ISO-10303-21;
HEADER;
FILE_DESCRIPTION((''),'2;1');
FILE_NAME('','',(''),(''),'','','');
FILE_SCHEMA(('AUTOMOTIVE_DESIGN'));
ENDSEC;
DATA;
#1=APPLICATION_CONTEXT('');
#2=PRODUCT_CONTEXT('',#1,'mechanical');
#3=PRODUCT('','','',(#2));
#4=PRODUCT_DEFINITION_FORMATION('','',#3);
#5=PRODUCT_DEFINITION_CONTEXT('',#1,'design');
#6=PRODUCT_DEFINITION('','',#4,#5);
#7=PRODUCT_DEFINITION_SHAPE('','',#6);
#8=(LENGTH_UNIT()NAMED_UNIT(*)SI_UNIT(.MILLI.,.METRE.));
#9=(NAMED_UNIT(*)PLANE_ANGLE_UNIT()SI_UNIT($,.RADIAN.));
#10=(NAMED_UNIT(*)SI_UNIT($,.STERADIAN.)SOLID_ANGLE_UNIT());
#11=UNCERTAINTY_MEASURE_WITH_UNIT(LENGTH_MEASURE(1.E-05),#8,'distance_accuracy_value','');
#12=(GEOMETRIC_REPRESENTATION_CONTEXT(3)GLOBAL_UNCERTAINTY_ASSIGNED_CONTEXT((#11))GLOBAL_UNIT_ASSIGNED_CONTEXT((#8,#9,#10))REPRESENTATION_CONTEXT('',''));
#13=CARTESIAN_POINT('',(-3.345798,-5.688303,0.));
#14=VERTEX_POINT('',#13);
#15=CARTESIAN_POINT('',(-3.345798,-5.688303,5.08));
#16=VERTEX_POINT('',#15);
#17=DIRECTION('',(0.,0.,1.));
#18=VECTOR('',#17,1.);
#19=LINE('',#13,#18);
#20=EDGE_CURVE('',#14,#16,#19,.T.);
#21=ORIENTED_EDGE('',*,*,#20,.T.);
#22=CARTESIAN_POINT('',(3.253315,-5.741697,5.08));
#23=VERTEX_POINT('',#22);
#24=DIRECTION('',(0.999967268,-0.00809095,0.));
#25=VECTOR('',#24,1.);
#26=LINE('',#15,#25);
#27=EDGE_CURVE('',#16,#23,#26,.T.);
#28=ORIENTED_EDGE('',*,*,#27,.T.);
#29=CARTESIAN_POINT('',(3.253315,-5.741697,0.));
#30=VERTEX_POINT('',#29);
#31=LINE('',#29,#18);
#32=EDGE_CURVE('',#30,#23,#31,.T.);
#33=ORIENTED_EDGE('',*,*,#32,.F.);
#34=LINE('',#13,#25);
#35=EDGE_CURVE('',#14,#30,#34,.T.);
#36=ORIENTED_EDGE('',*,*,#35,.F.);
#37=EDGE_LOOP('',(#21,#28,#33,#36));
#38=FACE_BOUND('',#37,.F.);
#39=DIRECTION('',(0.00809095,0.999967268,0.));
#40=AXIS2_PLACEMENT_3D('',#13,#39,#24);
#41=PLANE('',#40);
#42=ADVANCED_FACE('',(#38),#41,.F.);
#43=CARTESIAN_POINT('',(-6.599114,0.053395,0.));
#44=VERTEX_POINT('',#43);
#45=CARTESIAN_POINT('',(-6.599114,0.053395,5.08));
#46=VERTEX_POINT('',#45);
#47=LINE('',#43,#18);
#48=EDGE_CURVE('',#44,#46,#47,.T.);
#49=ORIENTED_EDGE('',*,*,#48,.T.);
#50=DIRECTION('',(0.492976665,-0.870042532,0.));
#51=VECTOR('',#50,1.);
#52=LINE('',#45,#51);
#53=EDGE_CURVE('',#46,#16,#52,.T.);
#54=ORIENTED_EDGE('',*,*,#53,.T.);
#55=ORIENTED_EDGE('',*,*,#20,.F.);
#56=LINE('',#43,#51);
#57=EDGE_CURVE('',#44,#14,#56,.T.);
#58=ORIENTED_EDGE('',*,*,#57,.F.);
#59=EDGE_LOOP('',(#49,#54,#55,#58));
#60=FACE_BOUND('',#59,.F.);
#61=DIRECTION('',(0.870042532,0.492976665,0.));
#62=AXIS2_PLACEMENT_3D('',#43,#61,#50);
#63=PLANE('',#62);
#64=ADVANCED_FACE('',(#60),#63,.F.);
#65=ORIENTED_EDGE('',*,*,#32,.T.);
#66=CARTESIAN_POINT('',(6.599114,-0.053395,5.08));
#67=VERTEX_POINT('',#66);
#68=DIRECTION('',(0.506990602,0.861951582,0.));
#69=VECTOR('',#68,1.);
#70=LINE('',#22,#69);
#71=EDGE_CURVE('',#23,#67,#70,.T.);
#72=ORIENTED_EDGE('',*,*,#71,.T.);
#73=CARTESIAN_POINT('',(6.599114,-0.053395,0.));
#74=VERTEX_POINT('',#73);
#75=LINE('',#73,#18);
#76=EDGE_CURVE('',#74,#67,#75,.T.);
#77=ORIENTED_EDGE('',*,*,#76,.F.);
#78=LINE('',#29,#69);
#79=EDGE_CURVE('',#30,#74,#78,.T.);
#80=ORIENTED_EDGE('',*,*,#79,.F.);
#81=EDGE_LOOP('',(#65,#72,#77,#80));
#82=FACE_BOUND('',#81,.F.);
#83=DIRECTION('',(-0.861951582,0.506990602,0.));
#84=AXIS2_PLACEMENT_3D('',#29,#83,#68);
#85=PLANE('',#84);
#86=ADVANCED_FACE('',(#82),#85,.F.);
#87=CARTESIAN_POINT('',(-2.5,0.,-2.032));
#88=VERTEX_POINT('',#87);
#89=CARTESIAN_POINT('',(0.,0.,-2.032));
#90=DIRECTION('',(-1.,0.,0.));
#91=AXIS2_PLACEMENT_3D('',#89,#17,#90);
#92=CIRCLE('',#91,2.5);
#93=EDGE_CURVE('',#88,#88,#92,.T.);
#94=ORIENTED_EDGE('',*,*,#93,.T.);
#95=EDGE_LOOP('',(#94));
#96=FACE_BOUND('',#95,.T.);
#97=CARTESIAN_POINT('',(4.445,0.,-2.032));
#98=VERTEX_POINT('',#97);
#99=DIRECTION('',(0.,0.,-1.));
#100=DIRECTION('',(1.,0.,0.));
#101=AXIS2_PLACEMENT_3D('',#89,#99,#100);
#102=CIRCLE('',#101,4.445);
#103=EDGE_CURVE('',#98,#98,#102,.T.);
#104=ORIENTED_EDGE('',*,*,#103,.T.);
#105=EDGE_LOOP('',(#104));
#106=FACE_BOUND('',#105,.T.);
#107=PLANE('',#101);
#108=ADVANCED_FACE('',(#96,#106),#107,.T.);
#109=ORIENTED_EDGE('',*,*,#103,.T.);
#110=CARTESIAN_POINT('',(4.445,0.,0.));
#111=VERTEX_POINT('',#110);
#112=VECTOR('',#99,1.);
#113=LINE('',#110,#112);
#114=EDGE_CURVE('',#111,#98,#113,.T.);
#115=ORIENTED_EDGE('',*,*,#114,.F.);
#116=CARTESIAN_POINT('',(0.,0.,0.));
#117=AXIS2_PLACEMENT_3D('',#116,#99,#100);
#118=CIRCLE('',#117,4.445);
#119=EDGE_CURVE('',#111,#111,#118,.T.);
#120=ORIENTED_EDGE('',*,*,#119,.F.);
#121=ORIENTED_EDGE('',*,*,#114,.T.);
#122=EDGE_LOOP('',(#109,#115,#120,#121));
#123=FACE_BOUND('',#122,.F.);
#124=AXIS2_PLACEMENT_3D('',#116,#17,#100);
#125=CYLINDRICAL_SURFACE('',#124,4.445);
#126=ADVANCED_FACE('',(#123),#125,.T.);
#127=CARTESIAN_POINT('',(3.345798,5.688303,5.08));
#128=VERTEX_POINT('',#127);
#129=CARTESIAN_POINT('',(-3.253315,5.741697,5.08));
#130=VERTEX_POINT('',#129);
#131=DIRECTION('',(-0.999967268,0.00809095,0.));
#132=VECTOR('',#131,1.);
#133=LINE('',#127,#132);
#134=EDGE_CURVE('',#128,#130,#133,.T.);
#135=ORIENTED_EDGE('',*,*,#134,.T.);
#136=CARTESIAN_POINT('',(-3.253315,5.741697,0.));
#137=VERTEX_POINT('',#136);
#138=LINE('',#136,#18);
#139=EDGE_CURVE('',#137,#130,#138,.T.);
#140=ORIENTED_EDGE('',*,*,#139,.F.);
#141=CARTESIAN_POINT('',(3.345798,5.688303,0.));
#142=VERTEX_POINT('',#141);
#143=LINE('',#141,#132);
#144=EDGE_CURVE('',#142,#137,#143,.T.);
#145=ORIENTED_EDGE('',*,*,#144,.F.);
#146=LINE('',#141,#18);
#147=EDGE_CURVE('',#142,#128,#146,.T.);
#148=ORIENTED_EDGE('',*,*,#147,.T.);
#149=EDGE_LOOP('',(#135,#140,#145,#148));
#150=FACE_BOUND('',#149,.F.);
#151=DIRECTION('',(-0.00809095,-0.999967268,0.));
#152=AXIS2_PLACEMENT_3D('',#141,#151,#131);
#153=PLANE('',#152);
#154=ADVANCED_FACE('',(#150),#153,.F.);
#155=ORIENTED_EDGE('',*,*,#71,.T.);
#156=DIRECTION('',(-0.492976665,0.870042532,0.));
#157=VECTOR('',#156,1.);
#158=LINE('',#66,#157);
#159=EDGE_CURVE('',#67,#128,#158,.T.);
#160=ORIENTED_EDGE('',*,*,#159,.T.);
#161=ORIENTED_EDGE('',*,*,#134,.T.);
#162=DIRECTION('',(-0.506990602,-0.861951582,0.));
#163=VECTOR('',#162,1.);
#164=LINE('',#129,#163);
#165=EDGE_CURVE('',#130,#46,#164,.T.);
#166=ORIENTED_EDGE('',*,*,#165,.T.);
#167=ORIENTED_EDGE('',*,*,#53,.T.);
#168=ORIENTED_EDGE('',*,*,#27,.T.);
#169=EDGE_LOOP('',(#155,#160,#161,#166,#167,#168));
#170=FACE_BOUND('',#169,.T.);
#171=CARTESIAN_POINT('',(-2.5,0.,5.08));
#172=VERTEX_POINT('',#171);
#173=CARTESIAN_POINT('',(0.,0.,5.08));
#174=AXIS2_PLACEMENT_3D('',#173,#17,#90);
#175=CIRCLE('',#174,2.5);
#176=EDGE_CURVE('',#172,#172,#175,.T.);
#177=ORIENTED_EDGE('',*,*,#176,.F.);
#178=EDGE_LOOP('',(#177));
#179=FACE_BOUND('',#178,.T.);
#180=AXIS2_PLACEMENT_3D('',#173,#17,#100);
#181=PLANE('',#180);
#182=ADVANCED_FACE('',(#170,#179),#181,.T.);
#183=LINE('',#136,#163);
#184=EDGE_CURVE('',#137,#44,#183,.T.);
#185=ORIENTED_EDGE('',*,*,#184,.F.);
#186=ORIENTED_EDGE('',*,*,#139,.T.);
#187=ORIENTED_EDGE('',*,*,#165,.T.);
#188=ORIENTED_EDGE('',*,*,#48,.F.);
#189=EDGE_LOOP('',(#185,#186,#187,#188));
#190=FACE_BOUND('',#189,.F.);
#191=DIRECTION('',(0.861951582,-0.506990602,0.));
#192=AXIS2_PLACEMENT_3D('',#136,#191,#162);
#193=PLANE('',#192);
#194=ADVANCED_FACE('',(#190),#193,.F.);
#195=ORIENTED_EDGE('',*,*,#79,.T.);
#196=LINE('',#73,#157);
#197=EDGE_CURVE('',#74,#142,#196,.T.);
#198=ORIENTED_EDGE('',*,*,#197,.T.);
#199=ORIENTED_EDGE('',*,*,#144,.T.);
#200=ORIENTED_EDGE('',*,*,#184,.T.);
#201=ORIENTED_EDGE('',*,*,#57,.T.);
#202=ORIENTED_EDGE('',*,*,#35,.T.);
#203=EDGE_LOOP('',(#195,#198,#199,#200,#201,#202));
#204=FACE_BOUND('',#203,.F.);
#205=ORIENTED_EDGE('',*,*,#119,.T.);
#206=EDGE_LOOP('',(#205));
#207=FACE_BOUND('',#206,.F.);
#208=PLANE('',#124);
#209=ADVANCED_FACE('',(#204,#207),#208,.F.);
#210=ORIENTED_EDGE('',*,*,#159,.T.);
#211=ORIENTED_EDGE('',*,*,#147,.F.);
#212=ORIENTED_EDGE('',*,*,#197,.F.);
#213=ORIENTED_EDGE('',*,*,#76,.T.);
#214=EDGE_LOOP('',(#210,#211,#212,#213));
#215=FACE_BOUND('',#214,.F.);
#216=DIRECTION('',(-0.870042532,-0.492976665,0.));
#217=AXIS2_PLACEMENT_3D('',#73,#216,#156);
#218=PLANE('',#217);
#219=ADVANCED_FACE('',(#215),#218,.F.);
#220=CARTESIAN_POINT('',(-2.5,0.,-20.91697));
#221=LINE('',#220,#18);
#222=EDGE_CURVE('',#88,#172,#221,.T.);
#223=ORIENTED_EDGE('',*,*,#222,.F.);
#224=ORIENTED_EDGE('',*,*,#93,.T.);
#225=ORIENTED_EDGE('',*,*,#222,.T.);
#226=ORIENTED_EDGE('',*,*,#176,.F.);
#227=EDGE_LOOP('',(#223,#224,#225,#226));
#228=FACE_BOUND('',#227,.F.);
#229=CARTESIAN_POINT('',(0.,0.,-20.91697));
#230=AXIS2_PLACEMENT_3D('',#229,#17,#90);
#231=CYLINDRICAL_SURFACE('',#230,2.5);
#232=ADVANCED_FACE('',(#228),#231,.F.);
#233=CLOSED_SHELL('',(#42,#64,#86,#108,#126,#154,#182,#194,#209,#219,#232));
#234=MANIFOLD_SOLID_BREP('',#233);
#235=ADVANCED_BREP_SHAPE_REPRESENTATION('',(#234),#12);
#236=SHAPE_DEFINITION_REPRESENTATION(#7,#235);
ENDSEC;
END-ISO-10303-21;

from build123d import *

# Parameters (mm, degrees)
F1_DEPTH = 5.08
F2_R     = 4.445
F3_DEPTH = 2.032
F5_D     = 5


with BuildPart() as f1:
    # F0 (on Top) → F1 (new body)
    with BuildSketch(Plane.XY):
        Polygon((3.3457980823, 5.6883025765), (-3.2533154946, 5.7416974235), (-6.5991135768, 0.0533948469), (-3.3457980823, -5.6883025765), (3.2533154946, -5.7416974235), (6.5991135768, -0.0533948469), align=None)
    extrude(amount=F1_DEPTH)

    # F2 (on face) → F3 (join)
    with BuildSketch(Plane(origin=(0, 0, 0), x_dir=(1, 0, 0), z_dir=(0, 0, -1))):
        Circle(F2_R)
    extrude(amount=F3_DEPTH)

    # F5 (through all)
    with Locations(Plane(origin=(0, 0, -2.032), x_dir=(1, 0, 0), z_dir=(0, 0, -1))):
        with Locations((0, 0)):
            Hole(F5_D / 2)


solid = f1.part
